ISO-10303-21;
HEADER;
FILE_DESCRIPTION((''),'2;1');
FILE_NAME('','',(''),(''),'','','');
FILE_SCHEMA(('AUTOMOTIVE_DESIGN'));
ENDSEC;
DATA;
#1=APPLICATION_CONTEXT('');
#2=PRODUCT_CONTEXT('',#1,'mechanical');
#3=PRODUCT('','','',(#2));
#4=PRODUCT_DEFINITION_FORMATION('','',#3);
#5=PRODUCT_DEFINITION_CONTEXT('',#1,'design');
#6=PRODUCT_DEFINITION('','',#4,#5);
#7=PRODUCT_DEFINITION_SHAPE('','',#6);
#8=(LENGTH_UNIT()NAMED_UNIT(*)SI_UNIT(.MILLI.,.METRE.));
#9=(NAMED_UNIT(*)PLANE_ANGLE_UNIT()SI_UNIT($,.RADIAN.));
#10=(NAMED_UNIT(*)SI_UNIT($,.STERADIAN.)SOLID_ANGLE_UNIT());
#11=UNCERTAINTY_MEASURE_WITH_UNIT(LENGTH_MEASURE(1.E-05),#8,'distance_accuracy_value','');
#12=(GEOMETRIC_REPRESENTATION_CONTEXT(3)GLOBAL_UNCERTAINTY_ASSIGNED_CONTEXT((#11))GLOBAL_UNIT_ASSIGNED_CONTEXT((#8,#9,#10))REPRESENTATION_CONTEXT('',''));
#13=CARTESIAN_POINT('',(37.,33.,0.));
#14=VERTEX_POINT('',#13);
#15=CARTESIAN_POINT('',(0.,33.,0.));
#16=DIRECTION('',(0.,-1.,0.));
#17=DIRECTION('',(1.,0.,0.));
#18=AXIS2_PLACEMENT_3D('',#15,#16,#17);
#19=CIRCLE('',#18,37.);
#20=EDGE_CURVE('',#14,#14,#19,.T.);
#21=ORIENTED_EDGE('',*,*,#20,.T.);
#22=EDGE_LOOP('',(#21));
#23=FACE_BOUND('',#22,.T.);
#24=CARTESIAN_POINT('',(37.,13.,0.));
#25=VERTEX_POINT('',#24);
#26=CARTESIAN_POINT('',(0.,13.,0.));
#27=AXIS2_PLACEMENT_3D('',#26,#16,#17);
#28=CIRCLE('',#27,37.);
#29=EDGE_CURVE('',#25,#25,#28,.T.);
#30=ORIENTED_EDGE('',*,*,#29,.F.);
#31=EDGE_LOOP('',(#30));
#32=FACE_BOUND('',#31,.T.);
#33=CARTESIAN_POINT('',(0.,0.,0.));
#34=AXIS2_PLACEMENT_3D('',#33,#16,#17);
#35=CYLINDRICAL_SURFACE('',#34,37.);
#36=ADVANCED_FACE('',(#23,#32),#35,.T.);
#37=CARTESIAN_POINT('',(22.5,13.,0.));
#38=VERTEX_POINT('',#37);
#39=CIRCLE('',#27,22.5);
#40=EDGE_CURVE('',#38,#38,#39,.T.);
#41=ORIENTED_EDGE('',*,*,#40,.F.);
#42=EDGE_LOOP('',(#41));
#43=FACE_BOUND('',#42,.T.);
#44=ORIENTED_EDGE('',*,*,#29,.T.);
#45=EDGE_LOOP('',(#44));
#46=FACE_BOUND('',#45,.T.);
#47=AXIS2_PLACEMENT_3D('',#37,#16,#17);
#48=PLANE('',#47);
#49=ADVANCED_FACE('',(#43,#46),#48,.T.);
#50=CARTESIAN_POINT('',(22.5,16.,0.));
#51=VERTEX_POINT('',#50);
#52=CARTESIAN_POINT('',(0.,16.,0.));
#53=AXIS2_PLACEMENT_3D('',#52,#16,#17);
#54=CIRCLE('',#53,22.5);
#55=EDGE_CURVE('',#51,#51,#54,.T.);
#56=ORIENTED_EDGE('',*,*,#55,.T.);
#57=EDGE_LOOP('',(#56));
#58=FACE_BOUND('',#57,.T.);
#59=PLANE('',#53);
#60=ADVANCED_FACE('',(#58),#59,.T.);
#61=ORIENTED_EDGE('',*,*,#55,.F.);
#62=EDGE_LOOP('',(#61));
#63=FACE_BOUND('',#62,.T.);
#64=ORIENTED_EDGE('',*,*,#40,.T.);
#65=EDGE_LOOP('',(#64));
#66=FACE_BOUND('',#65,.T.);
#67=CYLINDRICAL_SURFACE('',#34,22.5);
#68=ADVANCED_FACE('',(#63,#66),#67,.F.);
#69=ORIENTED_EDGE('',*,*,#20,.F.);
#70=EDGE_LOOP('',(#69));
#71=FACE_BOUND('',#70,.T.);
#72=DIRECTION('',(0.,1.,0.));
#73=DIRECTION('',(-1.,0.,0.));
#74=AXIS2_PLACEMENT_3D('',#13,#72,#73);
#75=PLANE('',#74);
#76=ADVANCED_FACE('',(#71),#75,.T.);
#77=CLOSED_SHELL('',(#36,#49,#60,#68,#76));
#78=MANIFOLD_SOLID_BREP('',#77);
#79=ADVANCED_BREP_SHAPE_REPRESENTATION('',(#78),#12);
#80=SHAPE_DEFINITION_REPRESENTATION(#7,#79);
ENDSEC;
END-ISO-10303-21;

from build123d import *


with BuildPart() as part:
    # Esquisse1 → Révolution1 (revolve)
    with BuildSketch(Plane.XY):
        Polygon((0, 16), (22.5, 16), (22.5, 13), (37, 13), (37, 33), (0, 33), align=None)
    revolve(axis=Axis((0, 0, 0), (0, 1, 0)))


solid = part.part
